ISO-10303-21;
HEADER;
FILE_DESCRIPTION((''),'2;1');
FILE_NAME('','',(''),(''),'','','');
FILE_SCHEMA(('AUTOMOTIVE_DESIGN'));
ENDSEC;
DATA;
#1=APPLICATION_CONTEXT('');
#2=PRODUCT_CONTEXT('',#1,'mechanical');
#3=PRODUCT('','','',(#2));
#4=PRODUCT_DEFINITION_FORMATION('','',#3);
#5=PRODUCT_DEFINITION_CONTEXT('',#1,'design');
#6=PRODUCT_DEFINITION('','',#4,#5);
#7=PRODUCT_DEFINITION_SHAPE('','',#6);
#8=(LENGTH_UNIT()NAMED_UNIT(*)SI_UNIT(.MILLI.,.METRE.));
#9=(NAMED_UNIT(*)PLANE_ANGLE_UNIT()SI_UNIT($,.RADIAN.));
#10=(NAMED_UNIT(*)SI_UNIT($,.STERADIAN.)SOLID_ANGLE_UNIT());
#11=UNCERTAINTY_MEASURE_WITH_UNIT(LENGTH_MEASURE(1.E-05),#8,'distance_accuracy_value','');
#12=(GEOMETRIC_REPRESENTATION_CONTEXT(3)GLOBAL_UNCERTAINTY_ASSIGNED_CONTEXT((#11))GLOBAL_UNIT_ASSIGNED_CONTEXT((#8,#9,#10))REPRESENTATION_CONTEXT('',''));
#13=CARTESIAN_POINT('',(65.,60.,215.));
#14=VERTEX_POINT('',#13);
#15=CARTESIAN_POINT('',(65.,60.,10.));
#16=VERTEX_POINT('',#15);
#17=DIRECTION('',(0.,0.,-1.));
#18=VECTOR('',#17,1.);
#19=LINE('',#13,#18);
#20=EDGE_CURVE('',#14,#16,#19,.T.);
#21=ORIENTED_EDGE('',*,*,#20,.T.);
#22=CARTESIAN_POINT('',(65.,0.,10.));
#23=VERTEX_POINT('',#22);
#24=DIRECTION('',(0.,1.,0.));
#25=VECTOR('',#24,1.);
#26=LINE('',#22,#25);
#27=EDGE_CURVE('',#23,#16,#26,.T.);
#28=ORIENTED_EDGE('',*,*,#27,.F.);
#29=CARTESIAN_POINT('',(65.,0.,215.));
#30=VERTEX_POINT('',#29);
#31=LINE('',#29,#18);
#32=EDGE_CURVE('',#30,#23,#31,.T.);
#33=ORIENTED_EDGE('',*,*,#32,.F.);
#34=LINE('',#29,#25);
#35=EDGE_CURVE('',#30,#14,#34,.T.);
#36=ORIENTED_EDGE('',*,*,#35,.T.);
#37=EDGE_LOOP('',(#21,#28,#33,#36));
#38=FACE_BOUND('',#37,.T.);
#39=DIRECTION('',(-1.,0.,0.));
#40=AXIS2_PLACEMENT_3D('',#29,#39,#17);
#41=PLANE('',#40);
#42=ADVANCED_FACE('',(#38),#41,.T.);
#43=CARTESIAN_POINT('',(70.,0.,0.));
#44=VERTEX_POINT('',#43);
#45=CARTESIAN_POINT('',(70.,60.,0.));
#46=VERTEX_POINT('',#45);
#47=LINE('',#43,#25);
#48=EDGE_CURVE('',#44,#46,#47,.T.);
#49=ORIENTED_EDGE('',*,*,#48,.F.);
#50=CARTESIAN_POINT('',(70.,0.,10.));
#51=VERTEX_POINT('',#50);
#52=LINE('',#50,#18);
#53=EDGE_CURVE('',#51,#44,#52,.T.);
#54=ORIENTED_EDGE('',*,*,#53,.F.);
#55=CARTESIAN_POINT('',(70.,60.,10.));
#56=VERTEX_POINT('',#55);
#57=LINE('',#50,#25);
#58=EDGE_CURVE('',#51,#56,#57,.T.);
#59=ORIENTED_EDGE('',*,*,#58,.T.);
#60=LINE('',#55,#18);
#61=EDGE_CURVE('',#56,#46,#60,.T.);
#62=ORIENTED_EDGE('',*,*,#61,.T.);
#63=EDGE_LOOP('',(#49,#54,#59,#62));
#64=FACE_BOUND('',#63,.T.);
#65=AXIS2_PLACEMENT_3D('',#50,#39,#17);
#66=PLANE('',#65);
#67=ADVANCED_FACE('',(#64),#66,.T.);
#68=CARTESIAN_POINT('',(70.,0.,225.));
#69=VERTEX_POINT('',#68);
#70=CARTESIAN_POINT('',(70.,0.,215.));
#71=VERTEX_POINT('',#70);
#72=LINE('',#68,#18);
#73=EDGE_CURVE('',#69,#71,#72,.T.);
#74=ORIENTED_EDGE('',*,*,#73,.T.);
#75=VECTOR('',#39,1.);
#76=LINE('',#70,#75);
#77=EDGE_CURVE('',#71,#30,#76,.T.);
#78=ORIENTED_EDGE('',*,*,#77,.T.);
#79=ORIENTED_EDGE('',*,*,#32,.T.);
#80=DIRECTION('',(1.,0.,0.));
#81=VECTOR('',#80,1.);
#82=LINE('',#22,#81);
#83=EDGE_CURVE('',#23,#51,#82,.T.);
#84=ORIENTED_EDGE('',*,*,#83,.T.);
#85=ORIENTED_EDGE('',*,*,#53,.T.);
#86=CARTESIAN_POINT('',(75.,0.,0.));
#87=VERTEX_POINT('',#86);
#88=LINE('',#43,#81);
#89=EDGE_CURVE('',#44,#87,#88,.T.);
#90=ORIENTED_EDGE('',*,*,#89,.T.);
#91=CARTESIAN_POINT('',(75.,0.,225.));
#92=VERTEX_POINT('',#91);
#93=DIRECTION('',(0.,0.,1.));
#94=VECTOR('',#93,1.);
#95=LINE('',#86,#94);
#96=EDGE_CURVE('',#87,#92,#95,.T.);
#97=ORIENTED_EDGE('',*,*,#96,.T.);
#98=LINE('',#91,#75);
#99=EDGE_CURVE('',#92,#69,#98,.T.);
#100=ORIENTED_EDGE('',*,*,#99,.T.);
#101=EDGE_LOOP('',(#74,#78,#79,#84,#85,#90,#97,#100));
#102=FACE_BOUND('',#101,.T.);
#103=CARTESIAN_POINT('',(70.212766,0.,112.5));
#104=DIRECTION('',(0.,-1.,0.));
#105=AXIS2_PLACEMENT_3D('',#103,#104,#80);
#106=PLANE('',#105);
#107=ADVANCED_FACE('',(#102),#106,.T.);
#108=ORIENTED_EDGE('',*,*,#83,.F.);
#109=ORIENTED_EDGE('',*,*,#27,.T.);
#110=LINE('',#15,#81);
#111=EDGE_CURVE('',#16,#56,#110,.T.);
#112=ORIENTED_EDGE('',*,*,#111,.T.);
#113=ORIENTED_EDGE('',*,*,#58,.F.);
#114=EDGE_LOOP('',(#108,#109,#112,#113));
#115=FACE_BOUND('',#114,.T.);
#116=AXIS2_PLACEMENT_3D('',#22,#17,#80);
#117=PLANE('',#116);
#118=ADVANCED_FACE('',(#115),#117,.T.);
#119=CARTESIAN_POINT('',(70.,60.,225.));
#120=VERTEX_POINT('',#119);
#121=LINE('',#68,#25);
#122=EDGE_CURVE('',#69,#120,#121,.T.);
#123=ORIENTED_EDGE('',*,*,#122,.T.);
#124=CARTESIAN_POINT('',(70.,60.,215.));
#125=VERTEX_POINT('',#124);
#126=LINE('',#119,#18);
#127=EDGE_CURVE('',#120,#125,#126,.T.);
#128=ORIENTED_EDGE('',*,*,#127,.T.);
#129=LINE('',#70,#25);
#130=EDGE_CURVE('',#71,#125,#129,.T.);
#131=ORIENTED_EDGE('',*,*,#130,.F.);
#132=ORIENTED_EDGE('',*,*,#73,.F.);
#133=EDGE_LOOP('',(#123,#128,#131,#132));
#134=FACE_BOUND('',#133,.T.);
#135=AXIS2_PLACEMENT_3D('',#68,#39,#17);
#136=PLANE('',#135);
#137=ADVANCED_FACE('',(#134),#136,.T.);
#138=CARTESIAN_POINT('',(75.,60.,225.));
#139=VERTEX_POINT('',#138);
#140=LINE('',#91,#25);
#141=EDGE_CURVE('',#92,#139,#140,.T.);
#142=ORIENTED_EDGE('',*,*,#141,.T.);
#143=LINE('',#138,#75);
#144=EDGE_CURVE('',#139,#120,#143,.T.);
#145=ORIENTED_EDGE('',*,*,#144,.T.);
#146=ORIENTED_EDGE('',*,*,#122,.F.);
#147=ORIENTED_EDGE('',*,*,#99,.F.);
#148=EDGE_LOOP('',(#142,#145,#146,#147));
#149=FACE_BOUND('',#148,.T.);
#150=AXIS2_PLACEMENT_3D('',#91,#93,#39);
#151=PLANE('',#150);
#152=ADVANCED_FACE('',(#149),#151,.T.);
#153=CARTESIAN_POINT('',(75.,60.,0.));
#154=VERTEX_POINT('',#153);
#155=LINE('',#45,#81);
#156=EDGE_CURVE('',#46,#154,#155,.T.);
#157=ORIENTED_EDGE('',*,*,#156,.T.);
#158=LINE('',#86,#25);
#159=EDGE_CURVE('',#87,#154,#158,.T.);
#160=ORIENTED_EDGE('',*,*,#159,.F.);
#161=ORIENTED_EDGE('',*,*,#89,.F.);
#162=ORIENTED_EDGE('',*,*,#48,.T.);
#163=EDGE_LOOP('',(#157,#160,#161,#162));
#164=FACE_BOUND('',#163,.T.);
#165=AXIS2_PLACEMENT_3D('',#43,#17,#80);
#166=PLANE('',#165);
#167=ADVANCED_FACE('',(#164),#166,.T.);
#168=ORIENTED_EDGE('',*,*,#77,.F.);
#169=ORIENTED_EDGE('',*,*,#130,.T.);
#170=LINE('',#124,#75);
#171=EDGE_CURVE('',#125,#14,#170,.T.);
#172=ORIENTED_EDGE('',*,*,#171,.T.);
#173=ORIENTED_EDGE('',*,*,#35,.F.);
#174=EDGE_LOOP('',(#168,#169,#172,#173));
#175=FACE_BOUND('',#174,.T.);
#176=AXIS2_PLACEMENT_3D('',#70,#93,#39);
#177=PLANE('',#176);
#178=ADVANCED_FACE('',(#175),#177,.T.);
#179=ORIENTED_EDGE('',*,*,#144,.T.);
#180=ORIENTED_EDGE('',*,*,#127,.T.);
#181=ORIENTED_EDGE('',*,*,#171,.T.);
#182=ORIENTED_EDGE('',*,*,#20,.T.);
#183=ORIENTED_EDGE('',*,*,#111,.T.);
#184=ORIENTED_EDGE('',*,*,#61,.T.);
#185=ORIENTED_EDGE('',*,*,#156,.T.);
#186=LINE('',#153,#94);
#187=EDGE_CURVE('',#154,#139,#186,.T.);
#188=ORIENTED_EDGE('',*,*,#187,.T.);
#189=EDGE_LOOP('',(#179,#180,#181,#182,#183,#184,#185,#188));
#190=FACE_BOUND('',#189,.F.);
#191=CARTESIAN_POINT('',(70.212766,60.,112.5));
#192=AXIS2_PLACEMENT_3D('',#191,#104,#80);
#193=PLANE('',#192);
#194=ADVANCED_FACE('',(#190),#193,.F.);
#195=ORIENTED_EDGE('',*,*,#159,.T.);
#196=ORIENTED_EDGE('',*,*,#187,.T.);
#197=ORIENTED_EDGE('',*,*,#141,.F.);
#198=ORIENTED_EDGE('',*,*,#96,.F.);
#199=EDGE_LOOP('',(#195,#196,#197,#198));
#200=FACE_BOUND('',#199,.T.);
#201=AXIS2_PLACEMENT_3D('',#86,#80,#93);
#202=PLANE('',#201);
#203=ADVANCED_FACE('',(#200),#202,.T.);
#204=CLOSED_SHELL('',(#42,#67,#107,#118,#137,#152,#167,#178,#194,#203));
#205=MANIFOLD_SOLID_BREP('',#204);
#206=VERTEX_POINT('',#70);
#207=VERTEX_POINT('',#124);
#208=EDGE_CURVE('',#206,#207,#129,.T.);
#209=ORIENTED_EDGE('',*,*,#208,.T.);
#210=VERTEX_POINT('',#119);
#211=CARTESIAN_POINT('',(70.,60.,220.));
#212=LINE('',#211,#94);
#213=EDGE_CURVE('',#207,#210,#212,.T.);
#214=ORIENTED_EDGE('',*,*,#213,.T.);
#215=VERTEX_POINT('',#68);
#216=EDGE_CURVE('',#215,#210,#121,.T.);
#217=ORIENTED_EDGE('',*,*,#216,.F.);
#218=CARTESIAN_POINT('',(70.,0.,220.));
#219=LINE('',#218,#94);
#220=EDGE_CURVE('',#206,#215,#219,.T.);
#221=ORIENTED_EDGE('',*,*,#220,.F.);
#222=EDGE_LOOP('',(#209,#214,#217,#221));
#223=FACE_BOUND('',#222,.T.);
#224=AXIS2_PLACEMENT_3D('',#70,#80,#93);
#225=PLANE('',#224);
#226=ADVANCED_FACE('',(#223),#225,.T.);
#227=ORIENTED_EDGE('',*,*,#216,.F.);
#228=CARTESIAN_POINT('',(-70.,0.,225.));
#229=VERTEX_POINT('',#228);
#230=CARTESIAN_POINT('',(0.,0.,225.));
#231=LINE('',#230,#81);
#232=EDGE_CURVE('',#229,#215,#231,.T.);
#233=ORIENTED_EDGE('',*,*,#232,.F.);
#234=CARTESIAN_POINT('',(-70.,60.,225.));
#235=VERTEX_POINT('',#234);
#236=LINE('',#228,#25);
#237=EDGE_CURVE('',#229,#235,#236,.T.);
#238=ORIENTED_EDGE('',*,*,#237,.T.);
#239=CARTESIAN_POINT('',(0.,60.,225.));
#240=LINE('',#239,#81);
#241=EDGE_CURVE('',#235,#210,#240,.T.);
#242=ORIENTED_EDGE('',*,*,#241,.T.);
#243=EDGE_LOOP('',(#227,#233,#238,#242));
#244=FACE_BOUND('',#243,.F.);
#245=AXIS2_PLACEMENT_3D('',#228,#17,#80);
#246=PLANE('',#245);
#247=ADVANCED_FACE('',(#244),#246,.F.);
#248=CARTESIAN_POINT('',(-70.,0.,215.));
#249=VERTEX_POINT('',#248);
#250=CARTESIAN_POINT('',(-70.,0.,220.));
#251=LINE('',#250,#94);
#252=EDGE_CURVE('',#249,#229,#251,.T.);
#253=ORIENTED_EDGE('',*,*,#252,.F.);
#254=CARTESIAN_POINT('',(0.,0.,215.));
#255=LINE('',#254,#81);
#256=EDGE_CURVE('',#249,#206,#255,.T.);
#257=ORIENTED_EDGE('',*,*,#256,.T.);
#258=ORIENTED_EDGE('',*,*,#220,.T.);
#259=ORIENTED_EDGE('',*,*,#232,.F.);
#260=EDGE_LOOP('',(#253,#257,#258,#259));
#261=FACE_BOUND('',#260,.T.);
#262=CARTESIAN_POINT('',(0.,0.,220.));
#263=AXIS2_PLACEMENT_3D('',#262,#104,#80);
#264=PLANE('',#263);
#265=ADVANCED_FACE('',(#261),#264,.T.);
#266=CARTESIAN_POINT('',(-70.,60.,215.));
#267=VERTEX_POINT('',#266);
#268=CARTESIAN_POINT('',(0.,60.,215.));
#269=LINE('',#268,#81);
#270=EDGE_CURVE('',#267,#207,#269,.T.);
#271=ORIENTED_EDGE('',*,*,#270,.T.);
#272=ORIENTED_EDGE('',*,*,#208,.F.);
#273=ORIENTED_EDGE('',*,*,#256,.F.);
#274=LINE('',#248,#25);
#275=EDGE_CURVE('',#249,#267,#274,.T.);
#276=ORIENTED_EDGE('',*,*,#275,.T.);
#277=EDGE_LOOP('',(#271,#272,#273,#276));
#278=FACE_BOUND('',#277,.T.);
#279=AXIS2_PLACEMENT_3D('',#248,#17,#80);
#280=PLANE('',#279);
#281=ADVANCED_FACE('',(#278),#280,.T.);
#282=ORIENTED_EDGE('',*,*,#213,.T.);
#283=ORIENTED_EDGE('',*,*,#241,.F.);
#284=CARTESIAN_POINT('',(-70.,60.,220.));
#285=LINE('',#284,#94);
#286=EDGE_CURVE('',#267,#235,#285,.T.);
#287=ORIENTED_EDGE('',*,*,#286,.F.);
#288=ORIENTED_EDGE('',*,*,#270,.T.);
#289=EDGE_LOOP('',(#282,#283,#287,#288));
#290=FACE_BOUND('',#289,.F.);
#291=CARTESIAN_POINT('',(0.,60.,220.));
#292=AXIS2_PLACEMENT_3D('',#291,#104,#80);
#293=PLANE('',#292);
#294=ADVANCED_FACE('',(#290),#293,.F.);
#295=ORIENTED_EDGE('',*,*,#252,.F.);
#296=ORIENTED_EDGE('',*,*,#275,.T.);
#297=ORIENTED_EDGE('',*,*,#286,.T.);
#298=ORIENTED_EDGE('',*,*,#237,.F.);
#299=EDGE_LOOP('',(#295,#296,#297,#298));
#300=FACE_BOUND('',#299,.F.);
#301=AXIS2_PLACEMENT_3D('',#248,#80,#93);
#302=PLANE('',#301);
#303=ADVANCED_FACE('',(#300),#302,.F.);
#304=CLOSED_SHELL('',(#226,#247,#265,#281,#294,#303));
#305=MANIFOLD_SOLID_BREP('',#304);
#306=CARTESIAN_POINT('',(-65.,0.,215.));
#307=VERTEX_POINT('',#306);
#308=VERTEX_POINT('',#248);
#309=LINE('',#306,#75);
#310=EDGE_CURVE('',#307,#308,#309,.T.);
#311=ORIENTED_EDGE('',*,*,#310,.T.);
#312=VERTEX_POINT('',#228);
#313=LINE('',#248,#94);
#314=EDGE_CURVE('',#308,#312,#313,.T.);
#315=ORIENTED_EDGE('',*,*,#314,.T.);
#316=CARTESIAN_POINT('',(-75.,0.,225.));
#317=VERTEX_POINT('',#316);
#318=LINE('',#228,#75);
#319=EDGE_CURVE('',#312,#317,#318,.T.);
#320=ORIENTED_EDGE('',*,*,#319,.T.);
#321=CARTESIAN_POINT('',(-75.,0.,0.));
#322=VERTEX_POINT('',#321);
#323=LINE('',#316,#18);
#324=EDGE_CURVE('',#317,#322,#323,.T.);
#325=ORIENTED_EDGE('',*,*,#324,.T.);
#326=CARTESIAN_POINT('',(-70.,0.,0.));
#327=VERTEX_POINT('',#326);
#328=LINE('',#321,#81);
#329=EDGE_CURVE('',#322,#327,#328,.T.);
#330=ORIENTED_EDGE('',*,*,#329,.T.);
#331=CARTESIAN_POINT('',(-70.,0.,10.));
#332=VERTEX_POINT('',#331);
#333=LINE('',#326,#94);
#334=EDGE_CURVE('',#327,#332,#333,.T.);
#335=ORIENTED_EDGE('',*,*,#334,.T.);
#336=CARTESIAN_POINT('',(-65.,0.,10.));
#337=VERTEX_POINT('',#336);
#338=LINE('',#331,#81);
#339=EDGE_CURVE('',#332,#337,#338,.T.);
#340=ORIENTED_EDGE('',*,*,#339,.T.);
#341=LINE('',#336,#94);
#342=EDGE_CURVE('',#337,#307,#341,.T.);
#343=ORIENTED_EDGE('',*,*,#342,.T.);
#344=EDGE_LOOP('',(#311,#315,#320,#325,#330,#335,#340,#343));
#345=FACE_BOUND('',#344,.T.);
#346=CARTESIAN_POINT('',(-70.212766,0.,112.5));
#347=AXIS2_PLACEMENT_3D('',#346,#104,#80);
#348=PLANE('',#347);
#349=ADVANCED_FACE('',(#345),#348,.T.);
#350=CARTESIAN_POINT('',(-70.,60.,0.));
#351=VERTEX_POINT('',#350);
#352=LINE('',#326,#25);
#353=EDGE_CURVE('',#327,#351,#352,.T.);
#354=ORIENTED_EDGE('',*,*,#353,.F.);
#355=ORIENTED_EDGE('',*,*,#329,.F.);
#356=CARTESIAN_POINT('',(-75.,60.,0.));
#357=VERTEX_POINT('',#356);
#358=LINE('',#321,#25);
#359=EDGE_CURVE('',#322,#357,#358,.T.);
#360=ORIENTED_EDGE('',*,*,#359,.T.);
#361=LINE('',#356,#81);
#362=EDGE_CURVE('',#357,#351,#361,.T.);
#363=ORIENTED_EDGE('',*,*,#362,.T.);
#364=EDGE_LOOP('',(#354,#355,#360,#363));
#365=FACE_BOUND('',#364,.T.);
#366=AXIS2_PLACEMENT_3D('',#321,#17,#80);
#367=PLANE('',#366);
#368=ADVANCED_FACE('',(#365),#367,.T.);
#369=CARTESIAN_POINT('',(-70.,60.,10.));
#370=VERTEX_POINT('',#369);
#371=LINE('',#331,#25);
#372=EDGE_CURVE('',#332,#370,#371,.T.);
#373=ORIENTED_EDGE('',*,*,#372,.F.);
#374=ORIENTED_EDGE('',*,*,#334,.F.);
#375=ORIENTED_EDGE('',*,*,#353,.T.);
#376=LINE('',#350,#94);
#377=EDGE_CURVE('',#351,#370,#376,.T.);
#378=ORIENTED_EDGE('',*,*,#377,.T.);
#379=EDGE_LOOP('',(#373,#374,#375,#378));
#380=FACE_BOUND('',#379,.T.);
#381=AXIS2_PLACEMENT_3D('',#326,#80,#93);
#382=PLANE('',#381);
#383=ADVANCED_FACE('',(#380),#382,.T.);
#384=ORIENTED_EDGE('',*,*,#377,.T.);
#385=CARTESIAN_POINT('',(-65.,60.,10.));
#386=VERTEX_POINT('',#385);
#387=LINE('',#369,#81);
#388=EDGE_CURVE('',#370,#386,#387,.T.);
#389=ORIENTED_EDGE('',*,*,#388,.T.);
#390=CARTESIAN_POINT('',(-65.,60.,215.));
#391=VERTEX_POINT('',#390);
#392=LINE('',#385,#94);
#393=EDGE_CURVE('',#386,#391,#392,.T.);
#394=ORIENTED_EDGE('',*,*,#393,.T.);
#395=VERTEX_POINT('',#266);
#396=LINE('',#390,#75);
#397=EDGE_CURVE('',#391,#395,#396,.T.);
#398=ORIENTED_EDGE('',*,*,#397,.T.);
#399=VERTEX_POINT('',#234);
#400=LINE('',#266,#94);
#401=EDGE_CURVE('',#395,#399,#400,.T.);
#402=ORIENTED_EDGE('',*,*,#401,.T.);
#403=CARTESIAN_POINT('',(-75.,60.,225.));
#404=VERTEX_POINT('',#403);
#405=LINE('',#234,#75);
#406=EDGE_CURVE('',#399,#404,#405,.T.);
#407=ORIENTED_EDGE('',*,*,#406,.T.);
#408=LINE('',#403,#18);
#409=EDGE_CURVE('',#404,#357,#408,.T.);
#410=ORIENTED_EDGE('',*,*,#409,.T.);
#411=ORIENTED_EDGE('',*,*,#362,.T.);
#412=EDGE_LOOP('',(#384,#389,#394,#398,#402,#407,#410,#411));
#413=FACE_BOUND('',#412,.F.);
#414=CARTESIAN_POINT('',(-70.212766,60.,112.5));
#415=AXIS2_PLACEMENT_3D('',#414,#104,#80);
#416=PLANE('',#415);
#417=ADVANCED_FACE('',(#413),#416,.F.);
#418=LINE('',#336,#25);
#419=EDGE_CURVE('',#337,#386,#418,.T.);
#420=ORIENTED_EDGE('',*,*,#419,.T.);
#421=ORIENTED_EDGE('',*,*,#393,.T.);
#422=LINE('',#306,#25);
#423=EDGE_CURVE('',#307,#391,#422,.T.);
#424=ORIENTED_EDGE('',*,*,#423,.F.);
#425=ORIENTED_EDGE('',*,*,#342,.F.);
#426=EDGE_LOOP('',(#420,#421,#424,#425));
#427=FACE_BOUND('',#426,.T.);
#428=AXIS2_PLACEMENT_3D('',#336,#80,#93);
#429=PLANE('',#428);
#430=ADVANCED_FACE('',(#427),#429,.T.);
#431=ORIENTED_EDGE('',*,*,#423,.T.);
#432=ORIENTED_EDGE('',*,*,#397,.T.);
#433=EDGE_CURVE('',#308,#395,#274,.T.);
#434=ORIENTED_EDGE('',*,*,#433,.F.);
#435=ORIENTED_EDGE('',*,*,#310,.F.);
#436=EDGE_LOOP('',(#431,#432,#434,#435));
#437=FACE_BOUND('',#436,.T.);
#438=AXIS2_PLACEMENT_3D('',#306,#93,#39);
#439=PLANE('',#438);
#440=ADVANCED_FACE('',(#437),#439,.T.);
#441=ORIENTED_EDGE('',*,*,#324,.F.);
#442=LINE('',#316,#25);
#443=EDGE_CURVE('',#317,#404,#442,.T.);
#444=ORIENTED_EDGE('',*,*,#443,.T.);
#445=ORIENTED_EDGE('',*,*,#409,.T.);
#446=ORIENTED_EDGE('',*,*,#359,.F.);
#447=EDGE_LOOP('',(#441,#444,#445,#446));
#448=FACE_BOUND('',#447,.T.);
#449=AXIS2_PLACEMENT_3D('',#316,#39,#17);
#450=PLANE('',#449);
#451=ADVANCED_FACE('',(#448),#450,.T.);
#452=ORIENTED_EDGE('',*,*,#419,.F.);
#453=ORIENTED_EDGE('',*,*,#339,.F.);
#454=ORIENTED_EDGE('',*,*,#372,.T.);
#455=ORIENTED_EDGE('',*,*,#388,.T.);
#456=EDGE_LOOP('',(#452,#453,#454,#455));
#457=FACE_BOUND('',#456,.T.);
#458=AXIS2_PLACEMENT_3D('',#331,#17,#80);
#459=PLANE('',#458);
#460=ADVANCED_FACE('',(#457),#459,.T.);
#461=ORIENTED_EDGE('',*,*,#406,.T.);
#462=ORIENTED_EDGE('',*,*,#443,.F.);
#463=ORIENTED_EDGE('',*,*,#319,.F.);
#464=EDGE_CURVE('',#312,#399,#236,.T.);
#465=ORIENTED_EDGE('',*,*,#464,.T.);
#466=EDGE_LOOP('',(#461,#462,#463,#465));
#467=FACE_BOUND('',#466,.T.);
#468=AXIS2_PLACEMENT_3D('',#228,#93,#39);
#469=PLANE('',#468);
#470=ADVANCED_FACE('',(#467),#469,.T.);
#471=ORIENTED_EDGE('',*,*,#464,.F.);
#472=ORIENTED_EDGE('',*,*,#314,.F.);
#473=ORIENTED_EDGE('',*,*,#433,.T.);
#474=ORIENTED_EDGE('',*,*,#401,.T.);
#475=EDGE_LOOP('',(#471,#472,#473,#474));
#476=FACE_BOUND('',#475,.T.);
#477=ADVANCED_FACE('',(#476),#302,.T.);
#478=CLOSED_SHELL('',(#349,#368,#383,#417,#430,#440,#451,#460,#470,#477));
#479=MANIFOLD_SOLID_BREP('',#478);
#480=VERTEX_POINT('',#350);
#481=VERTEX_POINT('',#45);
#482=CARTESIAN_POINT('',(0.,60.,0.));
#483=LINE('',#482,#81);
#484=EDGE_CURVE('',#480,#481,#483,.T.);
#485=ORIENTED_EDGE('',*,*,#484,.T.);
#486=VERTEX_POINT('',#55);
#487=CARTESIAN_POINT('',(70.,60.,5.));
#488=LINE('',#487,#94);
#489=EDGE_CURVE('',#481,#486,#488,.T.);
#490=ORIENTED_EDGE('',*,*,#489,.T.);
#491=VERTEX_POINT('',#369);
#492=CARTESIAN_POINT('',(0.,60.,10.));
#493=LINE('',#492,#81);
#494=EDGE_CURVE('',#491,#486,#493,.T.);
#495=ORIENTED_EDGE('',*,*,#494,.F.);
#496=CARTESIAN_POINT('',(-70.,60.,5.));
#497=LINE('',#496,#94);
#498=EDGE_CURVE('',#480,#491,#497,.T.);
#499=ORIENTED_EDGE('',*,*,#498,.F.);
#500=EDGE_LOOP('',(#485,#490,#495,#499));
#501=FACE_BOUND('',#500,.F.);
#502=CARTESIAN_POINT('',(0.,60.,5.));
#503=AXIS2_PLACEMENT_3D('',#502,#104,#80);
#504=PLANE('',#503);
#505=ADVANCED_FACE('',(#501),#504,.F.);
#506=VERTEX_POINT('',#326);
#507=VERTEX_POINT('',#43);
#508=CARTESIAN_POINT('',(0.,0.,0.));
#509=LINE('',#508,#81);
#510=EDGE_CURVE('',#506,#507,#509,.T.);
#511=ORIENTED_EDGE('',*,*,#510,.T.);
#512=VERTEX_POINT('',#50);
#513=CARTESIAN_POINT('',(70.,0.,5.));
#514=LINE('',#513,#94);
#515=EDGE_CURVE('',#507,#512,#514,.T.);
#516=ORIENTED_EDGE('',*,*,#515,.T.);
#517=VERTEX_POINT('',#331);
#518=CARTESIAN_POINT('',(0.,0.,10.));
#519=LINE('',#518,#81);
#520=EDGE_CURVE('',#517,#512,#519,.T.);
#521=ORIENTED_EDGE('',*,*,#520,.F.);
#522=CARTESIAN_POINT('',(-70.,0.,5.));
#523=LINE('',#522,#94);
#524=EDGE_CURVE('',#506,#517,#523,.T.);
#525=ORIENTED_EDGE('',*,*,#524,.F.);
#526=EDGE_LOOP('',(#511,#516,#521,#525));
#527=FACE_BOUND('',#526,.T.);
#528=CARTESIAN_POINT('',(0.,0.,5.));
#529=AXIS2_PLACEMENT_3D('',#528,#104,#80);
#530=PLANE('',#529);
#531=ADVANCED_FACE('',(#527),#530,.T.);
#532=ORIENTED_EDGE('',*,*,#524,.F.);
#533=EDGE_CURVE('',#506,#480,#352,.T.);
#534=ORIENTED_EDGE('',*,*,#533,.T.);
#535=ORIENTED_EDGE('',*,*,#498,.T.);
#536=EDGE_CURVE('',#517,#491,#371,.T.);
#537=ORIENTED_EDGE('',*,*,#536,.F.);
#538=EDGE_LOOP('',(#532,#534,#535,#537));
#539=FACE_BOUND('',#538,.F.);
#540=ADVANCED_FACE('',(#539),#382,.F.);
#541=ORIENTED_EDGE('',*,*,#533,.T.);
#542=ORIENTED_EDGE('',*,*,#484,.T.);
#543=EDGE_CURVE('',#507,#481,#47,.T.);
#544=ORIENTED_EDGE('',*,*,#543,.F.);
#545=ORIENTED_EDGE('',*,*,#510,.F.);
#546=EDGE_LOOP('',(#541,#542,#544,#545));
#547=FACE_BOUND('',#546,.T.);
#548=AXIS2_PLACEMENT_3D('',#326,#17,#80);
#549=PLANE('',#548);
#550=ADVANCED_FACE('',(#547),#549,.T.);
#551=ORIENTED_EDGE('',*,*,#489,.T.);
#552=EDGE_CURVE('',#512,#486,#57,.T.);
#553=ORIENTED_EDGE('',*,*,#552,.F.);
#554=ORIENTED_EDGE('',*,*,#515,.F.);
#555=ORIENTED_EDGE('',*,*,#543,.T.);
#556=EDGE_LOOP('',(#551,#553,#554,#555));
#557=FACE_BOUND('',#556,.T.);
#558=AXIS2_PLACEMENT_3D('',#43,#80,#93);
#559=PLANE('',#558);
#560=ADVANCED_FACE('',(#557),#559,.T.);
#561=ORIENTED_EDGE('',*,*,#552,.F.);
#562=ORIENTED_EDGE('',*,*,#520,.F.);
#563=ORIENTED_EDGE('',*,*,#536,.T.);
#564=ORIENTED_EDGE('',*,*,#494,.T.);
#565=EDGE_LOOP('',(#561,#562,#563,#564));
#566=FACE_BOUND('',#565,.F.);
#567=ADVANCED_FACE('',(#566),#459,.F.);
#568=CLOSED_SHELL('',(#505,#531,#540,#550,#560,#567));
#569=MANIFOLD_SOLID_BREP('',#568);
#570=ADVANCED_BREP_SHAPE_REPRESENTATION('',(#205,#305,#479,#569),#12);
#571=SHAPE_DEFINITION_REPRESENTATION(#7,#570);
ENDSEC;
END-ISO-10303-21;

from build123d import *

# Parameters (mm, degrees)
F1_DEPTH = 60
F2_W     = 140
F2_H     = 10
F3_DEPTH = 60


with BuildPart() as f1:
    # F0 (on Front) → F1 (new body)
    with BuildSketch(Plane.XZ):
        Polygon((-70, 225), (-75, 225), (-75, 0), (-70, 0), (-70, 10), (-65, 10), (-65, 215), (-70, 215), align=None)
        Polygon((75, 0), (75, 225), (70, 225), (70, 215), (65, 215), (65, 159.04355), (65, 10), (70, 10), (70, 0), align=None)
    extrude(amount=-F1_DEPTH)


with BuildPart() as f3:
    # F2 (on Front) → F3 (new body)
    with BuildSketch(Plane.XZ):
        with Locations((0, 5)):
            Rectangle(F2_W, F2_H)
        with Locations((0, 220)):
            Rectangle(F2_W, F2_H)
    extrude(amount=-F3_DEPTH)


solid = Compound([f1.part, f3.part])
